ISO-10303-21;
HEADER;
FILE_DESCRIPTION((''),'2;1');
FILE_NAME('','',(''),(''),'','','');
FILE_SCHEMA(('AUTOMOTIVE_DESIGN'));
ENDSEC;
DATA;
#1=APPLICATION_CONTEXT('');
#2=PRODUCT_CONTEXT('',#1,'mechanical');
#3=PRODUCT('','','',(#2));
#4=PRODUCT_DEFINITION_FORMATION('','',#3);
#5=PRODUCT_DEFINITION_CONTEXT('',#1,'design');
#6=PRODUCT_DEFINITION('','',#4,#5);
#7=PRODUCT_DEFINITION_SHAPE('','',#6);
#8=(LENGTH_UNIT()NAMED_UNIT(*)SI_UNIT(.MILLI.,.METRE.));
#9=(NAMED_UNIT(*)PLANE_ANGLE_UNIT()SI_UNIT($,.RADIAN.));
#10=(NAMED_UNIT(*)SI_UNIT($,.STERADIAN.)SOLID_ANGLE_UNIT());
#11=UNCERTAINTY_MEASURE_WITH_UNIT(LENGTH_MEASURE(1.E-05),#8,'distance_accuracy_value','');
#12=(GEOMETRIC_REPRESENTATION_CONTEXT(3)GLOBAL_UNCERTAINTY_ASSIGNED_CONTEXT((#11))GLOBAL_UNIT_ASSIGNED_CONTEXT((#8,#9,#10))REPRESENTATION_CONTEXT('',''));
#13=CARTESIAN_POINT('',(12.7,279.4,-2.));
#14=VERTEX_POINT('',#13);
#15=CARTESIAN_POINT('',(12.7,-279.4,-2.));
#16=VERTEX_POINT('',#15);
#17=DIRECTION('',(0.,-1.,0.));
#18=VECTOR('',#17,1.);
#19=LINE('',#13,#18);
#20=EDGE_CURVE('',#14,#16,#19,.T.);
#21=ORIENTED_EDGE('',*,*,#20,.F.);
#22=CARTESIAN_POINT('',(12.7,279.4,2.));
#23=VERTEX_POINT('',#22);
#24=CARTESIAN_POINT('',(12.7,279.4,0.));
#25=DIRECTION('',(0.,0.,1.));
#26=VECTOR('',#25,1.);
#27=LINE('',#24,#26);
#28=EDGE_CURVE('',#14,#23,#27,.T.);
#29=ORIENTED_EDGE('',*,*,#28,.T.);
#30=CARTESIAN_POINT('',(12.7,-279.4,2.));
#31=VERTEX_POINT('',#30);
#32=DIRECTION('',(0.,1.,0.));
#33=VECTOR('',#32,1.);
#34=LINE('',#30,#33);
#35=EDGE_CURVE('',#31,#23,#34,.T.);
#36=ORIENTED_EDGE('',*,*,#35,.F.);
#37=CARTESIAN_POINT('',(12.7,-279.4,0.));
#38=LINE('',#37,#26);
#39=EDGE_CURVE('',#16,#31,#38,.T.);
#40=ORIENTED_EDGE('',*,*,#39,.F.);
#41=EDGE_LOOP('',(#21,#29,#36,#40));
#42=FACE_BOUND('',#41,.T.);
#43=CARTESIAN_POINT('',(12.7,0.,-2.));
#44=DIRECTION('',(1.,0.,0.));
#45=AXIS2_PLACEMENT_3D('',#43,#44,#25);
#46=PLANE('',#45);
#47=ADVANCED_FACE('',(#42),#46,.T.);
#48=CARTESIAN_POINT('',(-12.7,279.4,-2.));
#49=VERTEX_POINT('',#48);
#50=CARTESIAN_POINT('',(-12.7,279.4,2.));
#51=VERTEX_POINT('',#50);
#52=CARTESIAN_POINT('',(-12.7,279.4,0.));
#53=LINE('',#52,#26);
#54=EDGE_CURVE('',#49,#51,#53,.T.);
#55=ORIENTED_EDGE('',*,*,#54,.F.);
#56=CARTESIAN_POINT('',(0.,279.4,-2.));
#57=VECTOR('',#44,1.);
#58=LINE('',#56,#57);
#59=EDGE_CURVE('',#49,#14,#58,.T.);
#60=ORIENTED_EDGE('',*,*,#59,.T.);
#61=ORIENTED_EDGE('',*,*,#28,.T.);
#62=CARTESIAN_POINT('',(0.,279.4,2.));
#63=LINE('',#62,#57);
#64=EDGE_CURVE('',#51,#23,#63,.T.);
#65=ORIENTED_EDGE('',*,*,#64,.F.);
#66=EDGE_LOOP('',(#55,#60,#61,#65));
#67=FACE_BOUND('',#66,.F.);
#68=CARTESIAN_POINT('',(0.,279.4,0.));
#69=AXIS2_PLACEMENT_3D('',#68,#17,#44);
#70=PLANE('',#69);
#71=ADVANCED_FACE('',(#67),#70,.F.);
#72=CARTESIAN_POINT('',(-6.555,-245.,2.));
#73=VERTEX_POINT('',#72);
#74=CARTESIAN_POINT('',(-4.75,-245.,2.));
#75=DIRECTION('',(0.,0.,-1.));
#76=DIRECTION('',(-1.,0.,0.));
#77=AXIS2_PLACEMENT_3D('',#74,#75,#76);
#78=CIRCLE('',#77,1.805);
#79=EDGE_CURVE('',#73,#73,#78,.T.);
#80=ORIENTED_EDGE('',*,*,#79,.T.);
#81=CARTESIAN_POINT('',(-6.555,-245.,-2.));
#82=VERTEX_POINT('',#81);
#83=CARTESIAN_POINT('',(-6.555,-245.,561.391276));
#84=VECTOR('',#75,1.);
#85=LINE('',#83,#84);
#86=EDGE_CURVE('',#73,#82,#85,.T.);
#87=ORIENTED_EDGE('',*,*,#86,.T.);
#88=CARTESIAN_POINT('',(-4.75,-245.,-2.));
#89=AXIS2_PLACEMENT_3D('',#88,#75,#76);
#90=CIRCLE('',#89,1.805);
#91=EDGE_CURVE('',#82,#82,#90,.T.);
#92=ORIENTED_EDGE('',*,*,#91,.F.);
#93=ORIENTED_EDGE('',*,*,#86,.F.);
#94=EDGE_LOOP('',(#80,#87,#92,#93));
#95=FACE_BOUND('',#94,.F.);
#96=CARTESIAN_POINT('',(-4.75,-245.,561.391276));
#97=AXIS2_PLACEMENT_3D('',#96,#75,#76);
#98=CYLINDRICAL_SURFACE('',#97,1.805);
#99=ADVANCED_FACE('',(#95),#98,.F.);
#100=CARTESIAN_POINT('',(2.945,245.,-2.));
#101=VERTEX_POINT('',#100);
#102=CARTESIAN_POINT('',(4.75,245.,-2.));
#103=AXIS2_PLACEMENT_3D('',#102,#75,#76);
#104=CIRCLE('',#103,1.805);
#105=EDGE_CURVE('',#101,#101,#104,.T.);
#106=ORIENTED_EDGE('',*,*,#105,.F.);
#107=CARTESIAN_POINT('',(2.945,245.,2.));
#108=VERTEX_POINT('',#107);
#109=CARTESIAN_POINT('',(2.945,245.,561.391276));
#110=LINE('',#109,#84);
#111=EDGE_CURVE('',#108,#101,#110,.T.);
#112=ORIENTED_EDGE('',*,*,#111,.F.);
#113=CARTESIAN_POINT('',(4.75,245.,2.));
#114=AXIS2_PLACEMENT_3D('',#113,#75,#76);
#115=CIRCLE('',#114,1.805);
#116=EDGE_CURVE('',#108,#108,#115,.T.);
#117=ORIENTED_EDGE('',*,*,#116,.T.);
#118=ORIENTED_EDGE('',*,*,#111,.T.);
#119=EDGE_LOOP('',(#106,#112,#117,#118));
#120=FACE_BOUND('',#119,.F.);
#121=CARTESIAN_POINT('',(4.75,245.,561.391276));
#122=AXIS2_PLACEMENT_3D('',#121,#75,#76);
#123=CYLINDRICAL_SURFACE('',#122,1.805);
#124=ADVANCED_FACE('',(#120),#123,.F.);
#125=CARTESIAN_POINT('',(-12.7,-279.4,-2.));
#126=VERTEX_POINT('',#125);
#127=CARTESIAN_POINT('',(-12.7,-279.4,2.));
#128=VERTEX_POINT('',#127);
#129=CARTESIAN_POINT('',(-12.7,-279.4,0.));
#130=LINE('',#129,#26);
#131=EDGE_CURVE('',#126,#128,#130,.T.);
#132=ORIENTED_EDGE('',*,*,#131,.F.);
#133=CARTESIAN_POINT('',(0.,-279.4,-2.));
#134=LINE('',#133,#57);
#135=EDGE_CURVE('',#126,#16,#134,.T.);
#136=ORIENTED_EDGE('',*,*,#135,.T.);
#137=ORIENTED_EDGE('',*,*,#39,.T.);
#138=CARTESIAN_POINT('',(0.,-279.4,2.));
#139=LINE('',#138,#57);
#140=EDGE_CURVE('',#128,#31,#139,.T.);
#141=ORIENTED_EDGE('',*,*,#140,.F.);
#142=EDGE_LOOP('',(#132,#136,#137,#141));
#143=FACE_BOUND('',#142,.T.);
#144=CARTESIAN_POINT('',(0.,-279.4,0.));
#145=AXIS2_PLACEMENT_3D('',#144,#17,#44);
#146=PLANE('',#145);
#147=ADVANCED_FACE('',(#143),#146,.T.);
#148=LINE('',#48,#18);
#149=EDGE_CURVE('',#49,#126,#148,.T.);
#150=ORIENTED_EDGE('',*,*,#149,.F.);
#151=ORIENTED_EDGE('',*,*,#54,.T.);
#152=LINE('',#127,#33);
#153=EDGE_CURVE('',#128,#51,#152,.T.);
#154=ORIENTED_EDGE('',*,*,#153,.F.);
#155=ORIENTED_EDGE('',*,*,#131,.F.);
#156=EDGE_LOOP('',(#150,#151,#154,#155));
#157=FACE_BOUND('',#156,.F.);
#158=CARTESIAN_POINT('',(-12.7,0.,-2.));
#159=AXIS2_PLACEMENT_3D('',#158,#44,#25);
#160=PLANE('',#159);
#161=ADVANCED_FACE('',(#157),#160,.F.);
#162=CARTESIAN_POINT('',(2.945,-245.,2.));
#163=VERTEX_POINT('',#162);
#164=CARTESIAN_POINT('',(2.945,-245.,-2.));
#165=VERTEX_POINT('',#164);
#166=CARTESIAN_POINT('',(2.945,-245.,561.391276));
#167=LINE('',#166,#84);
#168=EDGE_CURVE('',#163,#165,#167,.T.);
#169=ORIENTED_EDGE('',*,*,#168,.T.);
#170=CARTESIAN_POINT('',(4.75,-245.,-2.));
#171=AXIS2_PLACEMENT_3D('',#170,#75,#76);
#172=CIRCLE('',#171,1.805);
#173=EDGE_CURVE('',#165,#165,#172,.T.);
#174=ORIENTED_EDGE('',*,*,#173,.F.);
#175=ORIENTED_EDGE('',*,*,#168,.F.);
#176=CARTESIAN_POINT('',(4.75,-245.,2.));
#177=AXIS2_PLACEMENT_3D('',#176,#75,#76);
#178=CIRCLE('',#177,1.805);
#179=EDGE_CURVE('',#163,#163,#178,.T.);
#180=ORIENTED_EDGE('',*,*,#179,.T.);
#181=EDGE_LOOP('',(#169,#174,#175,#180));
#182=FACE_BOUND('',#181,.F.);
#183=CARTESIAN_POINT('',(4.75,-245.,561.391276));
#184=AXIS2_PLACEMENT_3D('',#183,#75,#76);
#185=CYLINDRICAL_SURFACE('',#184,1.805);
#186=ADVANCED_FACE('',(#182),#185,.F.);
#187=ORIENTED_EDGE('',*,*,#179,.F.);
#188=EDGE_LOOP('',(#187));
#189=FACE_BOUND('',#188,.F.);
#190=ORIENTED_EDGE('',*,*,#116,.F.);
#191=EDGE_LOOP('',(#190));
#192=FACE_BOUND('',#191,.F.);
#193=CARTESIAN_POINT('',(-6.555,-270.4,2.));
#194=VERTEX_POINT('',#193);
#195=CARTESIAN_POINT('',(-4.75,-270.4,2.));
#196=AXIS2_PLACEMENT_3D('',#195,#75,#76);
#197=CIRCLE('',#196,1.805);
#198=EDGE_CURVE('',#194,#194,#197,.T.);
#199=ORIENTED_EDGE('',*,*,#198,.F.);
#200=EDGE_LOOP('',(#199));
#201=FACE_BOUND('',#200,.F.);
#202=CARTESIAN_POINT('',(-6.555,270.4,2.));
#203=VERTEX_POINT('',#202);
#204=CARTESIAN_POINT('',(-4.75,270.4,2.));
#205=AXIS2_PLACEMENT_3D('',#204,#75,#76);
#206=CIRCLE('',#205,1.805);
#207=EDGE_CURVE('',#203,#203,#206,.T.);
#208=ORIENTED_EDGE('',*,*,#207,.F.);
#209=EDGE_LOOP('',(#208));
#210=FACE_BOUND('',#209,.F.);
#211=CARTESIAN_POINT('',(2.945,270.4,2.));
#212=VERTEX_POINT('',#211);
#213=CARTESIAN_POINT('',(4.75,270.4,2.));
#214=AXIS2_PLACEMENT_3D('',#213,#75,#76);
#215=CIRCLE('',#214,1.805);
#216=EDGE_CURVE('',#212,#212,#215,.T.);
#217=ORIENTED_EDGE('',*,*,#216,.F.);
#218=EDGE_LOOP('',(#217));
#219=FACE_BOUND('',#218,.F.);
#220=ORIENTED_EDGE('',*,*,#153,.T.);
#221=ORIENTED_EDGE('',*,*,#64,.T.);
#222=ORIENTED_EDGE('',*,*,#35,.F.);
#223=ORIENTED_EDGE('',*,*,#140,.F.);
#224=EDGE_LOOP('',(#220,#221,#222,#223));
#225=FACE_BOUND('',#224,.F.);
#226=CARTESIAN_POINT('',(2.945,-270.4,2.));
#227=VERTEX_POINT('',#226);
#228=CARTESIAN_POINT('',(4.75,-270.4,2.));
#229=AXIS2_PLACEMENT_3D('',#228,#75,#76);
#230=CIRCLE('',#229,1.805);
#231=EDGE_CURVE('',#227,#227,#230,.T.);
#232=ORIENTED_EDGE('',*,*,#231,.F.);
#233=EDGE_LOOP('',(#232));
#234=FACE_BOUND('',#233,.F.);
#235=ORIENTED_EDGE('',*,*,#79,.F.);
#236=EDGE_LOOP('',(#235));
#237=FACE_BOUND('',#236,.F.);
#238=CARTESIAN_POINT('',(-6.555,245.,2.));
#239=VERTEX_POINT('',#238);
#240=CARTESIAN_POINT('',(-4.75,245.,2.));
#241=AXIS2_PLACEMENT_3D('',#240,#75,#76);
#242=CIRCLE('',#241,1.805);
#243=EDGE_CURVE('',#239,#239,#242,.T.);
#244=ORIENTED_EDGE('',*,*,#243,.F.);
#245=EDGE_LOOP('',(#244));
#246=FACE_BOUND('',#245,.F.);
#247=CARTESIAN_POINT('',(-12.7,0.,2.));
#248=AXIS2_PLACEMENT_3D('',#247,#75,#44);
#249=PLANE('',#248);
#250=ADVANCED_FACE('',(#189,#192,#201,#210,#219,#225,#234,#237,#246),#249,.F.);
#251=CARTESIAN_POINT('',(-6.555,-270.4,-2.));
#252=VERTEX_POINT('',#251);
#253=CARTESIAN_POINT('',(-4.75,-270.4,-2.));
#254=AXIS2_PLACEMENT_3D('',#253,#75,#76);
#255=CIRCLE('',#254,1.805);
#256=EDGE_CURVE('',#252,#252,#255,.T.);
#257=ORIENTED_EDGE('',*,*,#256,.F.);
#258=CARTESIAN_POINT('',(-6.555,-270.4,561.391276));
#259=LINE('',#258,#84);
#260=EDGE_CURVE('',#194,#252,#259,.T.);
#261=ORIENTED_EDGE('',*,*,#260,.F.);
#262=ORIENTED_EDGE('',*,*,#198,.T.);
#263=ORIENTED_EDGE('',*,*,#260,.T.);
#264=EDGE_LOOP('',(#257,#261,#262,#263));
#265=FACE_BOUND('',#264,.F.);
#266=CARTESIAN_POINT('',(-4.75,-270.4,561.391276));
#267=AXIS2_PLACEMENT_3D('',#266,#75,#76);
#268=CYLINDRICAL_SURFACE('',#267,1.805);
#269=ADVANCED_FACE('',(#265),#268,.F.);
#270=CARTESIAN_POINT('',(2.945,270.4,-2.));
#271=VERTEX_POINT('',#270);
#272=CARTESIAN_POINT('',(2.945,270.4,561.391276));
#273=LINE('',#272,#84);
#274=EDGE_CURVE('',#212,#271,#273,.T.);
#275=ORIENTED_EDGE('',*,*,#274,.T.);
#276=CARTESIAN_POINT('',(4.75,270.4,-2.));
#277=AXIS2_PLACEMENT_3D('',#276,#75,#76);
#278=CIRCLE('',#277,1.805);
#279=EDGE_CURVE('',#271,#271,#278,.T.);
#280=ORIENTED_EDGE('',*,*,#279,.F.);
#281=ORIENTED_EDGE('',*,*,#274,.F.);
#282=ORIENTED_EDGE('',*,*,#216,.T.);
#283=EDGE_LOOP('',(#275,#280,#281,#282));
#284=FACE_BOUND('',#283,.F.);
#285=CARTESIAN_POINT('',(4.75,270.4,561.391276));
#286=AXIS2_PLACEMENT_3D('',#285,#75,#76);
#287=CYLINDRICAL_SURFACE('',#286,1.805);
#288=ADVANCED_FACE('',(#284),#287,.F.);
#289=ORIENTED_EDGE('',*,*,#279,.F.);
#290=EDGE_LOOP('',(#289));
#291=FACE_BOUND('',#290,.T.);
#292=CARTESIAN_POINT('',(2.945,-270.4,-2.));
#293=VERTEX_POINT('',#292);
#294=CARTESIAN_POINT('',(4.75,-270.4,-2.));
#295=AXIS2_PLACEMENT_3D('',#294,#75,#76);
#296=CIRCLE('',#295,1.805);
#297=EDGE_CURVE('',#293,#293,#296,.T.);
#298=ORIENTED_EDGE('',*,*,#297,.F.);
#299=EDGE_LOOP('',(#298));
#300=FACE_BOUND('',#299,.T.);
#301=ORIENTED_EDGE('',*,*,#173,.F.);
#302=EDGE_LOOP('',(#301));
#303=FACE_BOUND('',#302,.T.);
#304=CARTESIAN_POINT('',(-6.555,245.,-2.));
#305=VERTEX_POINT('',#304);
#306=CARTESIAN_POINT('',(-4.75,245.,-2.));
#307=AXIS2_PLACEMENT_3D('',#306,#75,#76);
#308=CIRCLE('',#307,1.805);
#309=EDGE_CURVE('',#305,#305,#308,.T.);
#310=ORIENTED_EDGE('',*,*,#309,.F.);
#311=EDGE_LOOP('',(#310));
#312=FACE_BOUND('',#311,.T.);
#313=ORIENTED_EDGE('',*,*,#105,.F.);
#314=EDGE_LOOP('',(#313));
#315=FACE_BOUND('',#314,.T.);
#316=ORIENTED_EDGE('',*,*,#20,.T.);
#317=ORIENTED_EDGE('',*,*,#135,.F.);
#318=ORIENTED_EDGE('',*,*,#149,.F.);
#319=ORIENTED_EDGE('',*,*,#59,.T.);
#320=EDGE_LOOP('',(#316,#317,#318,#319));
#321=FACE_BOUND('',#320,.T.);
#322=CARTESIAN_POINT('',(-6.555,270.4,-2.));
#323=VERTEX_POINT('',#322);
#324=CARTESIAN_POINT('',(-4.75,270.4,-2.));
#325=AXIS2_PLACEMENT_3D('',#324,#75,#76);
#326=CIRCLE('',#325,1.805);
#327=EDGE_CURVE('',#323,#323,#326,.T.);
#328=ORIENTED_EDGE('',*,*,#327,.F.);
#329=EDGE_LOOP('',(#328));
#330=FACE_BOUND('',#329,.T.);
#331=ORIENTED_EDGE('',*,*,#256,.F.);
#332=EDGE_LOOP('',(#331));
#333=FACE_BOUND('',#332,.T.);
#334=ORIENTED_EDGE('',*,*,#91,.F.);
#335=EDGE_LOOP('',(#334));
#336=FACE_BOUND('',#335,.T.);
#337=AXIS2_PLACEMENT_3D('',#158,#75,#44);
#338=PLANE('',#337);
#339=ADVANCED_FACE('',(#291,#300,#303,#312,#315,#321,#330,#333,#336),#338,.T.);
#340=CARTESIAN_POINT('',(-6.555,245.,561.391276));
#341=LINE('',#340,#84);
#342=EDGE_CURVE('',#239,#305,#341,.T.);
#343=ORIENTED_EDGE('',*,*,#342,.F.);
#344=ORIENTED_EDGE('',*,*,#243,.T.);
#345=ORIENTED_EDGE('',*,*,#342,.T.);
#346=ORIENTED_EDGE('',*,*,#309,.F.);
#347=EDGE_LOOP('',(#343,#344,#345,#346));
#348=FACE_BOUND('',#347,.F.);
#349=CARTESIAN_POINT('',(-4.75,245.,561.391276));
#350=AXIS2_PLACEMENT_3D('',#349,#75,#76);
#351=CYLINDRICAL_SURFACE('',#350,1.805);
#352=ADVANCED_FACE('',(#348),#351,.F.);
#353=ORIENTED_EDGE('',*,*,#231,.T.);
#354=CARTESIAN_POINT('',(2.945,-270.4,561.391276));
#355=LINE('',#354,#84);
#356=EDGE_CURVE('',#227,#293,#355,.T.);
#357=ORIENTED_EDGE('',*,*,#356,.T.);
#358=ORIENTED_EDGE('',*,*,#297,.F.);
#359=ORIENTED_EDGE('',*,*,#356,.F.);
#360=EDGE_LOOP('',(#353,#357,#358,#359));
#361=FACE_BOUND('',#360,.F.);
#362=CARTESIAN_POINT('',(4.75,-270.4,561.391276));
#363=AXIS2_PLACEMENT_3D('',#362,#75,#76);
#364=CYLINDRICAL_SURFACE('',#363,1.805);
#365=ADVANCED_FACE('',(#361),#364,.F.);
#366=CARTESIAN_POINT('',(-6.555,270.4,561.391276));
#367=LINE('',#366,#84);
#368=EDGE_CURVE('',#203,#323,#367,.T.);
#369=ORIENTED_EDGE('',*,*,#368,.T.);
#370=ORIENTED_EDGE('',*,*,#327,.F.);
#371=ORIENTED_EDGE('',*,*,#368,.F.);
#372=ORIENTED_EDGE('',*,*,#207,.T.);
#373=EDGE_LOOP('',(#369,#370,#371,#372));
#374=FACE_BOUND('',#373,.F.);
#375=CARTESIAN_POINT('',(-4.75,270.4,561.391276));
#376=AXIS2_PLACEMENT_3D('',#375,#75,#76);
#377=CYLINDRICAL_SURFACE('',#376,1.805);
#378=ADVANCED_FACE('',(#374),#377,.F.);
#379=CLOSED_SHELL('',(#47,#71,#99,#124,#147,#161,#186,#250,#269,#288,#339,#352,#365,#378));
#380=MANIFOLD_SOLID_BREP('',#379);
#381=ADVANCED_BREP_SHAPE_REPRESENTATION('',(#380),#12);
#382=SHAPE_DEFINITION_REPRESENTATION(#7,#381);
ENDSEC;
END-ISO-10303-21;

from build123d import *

# Parameters (mm, degrees)
F0_W     = 25.4
F0_H     = 4
F1_DEPTH = 279.4
F3_D     = 3.61


with BuildPart() as f1:
    # F0 (on Front) → F1 (new body, symmetric)
    with BuildSketch(Plane.XZ):
        Rectangle(F0_W, F0_H)
    extrude(amount=F1_DEPTH, both=True)

    # F3 (through all)
    with Locations(Plane.XY.offset(2)):
        with Locations((-4.75, -270.4), (-4.75, -245), (4.75, -245), (4.75, -270.4), (-4.75, 245), (4.75, 245), (4.75, 270.4), (-4.75, 270.4)):
            Hole(F3_D / 2)


solid = f1.part
